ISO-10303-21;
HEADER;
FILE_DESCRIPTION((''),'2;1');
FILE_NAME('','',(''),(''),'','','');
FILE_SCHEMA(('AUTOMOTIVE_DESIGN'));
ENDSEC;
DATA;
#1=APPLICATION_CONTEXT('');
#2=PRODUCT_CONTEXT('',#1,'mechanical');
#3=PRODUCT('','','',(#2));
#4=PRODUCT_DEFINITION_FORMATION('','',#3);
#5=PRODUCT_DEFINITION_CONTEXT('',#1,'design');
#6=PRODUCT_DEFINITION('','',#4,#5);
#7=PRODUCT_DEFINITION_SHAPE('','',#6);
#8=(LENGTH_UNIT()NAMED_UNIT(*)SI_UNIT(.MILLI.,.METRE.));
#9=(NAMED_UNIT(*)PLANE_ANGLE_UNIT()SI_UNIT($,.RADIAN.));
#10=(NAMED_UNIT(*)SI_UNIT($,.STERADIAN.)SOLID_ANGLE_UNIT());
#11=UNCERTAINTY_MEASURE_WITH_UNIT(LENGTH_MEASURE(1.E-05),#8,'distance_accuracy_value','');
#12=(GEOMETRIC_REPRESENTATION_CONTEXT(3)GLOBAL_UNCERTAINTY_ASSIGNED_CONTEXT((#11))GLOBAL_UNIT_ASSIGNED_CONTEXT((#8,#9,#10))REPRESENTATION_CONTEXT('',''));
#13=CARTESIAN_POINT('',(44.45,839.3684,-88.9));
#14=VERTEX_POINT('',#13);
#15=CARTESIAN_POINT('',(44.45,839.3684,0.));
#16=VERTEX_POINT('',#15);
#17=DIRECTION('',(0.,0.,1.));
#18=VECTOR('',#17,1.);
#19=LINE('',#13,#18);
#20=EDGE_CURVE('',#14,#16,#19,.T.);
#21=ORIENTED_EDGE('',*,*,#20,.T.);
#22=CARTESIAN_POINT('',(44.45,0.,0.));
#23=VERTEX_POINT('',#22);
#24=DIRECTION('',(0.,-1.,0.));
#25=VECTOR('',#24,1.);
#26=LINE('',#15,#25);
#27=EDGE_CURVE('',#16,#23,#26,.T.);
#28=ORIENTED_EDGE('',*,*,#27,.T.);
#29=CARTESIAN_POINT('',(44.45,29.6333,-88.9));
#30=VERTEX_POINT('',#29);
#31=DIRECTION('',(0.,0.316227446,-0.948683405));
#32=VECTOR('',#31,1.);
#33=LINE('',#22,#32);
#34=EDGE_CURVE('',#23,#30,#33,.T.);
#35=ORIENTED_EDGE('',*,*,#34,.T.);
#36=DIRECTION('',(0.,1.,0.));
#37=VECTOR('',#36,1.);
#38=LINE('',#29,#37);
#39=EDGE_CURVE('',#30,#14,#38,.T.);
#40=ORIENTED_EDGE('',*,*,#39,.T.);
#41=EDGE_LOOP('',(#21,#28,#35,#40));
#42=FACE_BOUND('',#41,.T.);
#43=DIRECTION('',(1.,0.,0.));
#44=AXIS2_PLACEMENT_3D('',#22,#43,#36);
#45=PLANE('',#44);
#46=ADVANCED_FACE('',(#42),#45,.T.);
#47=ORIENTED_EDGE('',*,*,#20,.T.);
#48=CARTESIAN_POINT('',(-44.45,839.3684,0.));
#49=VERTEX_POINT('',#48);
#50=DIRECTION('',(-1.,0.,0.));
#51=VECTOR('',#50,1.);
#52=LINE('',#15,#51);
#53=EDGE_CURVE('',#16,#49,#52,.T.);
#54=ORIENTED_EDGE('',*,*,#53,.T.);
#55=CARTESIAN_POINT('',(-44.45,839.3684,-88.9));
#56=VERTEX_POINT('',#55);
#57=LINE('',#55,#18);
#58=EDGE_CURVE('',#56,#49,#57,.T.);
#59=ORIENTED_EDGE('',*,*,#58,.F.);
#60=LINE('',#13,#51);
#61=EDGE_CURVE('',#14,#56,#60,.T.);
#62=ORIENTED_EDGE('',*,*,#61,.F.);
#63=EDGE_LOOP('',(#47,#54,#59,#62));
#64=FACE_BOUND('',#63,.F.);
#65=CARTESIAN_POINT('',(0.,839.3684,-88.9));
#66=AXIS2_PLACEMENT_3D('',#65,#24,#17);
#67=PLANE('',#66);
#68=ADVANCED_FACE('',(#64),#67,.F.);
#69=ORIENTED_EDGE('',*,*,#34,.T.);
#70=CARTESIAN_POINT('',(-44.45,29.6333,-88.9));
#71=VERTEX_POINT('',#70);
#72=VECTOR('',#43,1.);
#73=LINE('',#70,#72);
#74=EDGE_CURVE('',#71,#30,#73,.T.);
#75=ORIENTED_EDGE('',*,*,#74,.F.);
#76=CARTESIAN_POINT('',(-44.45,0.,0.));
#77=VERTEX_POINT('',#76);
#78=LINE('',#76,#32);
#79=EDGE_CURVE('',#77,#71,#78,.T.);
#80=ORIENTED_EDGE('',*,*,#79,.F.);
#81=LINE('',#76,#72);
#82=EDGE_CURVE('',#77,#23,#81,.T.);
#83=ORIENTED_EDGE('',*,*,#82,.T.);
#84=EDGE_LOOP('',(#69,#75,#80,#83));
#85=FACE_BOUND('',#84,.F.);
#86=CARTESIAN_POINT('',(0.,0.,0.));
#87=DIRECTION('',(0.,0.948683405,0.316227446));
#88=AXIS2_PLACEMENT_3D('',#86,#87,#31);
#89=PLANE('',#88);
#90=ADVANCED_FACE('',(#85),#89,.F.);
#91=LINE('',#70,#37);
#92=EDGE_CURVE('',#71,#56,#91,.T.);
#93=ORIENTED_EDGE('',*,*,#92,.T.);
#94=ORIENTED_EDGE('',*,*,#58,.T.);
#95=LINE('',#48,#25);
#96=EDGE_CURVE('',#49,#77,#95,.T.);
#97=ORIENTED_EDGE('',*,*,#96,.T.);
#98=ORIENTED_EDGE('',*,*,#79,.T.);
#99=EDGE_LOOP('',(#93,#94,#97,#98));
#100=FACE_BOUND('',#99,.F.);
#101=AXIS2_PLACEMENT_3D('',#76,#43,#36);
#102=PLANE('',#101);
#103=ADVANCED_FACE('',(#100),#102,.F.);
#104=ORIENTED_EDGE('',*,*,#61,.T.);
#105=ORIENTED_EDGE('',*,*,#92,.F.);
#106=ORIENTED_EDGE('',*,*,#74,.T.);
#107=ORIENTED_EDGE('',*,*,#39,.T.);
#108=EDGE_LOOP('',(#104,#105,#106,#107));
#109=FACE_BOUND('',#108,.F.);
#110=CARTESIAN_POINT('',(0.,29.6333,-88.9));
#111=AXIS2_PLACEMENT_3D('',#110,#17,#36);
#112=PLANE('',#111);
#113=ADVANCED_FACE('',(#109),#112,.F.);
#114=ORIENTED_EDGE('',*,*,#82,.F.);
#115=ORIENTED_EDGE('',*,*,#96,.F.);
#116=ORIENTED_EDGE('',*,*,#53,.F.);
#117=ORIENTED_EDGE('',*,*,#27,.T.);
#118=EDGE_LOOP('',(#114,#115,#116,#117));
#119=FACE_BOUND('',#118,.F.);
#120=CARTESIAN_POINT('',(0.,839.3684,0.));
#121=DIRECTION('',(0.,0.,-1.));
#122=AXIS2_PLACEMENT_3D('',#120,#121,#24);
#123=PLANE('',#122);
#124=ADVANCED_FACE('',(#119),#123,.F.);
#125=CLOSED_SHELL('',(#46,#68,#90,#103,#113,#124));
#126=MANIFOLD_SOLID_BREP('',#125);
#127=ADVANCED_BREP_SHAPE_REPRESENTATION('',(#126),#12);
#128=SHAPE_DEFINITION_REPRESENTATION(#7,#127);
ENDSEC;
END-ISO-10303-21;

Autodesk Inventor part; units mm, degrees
ref_plane "YZ Plane" through (0, 0, 0) normal (1, 0, 0) x (0, 1, 0)
ref_plane "XZ Plane" through (0, 0, 0) normal (0, 1, 0) x (-1, 0, 0)
ref_plane "XY Plane" through (0, 0, 0) normal (0, 0, 1) x (1, 0, 0)
sketch "Sketch1" plane through (0, 0, 0) normal (1, 0, 0) x (0, 1, 0)
  line L0 (0, 0) -> (29.6333, -88.9)
  line L1 (29.6333, -88.9) -> (839.3684, -88.9)
  line L2 (839.3684, -88.9) -> (839.3684, 0)
  line L3 (839.3684, 0) -> (0, 0)
  line L4 (0, 0) -> (0, -88.9) construction
  dimension "width" = 88.9
  dimension "roofAngle" = 18.435
  dimension "height" = 839.3684
extrude "Extrusion1" add sketch "Sketch1" along normal mid plane 88.9
equation "\"d3\" = width"
properties part number "4x4x33-post" material "Wood (Birch)"
